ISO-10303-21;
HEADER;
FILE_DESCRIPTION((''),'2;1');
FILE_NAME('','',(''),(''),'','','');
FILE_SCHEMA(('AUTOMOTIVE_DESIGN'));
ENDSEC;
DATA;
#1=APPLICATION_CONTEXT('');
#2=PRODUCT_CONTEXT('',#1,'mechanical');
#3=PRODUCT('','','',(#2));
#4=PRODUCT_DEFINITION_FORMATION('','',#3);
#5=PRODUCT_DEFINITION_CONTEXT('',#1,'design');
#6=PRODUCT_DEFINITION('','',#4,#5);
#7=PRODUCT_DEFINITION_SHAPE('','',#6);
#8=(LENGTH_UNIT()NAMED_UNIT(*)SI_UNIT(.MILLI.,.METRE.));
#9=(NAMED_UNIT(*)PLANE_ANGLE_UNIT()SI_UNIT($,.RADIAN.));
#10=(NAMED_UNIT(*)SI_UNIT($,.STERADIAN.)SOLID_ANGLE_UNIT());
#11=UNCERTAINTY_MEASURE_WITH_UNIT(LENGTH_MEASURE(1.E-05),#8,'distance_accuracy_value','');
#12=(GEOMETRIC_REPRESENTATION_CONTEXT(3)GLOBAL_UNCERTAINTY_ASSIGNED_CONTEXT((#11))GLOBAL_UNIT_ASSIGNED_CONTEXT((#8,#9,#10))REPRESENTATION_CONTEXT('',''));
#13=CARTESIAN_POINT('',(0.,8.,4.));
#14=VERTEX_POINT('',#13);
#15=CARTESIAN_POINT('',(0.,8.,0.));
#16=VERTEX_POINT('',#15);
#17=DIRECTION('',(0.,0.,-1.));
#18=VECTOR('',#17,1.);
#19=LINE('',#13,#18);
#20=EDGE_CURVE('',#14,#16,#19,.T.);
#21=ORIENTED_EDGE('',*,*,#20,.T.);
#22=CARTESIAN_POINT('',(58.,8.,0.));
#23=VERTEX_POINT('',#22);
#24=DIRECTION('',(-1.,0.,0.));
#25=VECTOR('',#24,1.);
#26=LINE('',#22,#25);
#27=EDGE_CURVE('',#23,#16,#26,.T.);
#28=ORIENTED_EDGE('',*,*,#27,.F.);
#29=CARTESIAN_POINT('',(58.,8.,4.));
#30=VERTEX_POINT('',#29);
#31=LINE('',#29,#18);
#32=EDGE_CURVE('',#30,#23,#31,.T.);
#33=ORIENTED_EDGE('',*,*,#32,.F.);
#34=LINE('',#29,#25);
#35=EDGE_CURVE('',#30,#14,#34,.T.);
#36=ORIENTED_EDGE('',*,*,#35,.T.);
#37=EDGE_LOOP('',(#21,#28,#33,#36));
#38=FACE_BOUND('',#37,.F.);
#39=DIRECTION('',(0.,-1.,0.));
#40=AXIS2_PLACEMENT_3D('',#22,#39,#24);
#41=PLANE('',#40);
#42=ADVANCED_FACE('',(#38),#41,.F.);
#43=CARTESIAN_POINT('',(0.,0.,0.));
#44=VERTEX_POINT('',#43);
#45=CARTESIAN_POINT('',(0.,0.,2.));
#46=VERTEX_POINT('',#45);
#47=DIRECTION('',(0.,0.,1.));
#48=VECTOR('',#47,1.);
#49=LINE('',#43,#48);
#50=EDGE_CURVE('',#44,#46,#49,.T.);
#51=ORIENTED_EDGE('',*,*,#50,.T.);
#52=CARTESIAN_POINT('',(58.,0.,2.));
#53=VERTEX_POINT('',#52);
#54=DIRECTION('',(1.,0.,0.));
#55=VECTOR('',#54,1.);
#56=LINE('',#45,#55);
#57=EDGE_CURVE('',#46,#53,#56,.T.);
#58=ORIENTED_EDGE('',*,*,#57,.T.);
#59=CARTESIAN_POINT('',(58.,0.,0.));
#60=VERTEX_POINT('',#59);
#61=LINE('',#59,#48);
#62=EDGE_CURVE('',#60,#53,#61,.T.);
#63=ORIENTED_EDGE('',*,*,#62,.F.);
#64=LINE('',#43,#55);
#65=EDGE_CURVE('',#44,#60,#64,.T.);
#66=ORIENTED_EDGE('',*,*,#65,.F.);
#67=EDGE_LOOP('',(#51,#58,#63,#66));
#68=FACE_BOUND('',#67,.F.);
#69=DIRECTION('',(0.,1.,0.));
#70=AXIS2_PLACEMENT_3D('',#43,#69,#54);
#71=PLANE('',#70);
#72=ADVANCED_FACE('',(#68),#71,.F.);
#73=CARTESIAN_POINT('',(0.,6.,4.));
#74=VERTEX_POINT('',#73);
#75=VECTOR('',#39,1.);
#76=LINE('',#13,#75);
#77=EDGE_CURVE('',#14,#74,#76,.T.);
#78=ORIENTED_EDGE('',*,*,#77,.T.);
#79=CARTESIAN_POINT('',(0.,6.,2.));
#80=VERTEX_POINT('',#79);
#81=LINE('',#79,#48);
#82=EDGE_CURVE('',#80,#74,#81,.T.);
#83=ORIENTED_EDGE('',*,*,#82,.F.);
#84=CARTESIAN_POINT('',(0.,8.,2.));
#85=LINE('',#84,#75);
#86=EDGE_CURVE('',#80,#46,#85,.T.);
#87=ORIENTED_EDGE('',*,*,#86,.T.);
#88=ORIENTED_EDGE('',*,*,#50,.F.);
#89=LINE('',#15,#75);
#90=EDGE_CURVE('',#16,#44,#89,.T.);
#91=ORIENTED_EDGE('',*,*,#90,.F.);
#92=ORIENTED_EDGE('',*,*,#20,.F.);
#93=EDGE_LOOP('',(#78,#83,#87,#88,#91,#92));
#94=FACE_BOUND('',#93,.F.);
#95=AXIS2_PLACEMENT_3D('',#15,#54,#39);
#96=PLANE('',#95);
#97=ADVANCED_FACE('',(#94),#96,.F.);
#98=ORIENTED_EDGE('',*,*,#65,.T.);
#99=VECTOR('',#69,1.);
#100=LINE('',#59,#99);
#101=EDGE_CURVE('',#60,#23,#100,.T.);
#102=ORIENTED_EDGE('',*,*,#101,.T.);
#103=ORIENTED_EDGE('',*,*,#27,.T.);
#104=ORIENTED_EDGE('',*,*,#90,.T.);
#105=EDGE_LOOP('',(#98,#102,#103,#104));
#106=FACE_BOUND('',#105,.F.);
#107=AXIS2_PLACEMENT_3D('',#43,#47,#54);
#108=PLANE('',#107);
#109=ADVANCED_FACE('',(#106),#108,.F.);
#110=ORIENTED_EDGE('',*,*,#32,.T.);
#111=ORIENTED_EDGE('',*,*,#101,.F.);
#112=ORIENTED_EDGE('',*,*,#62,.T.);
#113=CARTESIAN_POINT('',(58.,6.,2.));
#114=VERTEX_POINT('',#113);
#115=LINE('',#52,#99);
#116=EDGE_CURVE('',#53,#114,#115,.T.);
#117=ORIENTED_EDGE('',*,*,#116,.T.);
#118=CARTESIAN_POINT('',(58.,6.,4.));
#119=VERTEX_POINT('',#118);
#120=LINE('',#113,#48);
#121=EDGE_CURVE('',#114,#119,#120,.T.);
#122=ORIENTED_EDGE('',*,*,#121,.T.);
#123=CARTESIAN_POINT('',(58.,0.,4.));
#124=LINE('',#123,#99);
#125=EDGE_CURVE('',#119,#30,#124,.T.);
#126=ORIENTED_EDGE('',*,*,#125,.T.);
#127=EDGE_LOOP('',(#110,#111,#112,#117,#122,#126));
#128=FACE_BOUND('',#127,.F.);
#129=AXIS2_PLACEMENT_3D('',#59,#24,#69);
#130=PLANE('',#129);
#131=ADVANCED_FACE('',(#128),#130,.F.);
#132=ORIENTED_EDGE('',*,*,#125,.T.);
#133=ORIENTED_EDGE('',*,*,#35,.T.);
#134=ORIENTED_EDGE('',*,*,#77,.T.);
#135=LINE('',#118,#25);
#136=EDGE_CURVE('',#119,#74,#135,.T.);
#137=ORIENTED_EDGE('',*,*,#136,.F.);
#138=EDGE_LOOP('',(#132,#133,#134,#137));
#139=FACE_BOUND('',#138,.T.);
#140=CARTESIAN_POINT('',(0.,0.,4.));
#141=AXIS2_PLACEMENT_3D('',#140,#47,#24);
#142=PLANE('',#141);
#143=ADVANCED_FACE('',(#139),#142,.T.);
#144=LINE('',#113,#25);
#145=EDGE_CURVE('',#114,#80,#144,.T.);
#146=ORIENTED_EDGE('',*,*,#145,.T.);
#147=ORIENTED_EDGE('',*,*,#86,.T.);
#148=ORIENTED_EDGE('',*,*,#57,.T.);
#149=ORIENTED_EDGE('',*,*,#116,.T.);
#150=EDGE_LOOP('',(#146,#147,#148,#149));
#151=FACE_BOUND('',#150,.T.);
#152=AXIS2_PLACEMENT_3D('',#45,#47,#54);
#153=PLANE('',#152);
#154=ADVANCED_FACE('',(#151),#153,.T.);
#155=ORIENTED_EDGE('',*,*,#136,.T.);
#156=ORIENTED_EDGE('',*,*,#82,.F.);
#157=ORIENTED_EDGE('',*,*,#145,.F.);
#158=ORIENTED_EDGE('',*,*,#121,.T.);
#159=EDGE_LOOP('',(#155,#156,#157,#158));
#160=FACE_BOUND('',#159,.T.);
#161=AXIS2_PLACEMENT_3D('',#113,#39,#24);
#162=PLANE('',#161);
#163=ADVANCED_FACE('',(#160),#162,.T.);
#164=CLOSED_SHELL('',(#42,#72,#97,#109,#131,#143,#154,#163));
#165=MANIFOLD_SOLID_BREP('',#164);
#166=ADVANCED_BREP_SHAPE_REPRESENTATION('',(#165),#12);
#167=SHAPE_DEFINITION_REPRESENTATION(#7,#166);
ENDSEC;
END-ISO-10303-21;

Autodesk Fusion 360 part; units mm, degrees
sketch "Esquisse1" plane through (0, 0, 0) normal (0, 0, 1) x (1, 0, 0)
  line L0 (0, 0) -> (58, 0)
  line L1 (58, 0) -> (58, 8)
  line L2 (58, 8) -> (0, 8)
  line L3 (0, 8) -> (0, 0)
  dimension "d1" = 58
  dimension "d2" = 8
extrude "Extrusion1" add sketch "Esquisse1" along normal blind 2
sketch "Esquisse2" plane through (0, 0, 2) normal (0, 0, 1) x (-1, 0, 0)
  line L0 (0, -8) -> (0, 0)
  line L1 (0, 0) -> (-58, 0)
  line L2 (-58, 0) -> (-58, -8)
  line L3 (-58, -8) -> (0, -8)
  line L4 (0, -8) -> (-58, -8)
  line L5 (-58, -8) -> (-58, -6)
  line L6 (-58, -6) -> (0, -6)
  line L7 (0, -6) -> (0, -8)
  dimension "d5" = 2
extrude "Extrusion2" add sketch "Esquisse2" along normal blind 2 contours L0 L2 L3 L4 L5 L6 L7
